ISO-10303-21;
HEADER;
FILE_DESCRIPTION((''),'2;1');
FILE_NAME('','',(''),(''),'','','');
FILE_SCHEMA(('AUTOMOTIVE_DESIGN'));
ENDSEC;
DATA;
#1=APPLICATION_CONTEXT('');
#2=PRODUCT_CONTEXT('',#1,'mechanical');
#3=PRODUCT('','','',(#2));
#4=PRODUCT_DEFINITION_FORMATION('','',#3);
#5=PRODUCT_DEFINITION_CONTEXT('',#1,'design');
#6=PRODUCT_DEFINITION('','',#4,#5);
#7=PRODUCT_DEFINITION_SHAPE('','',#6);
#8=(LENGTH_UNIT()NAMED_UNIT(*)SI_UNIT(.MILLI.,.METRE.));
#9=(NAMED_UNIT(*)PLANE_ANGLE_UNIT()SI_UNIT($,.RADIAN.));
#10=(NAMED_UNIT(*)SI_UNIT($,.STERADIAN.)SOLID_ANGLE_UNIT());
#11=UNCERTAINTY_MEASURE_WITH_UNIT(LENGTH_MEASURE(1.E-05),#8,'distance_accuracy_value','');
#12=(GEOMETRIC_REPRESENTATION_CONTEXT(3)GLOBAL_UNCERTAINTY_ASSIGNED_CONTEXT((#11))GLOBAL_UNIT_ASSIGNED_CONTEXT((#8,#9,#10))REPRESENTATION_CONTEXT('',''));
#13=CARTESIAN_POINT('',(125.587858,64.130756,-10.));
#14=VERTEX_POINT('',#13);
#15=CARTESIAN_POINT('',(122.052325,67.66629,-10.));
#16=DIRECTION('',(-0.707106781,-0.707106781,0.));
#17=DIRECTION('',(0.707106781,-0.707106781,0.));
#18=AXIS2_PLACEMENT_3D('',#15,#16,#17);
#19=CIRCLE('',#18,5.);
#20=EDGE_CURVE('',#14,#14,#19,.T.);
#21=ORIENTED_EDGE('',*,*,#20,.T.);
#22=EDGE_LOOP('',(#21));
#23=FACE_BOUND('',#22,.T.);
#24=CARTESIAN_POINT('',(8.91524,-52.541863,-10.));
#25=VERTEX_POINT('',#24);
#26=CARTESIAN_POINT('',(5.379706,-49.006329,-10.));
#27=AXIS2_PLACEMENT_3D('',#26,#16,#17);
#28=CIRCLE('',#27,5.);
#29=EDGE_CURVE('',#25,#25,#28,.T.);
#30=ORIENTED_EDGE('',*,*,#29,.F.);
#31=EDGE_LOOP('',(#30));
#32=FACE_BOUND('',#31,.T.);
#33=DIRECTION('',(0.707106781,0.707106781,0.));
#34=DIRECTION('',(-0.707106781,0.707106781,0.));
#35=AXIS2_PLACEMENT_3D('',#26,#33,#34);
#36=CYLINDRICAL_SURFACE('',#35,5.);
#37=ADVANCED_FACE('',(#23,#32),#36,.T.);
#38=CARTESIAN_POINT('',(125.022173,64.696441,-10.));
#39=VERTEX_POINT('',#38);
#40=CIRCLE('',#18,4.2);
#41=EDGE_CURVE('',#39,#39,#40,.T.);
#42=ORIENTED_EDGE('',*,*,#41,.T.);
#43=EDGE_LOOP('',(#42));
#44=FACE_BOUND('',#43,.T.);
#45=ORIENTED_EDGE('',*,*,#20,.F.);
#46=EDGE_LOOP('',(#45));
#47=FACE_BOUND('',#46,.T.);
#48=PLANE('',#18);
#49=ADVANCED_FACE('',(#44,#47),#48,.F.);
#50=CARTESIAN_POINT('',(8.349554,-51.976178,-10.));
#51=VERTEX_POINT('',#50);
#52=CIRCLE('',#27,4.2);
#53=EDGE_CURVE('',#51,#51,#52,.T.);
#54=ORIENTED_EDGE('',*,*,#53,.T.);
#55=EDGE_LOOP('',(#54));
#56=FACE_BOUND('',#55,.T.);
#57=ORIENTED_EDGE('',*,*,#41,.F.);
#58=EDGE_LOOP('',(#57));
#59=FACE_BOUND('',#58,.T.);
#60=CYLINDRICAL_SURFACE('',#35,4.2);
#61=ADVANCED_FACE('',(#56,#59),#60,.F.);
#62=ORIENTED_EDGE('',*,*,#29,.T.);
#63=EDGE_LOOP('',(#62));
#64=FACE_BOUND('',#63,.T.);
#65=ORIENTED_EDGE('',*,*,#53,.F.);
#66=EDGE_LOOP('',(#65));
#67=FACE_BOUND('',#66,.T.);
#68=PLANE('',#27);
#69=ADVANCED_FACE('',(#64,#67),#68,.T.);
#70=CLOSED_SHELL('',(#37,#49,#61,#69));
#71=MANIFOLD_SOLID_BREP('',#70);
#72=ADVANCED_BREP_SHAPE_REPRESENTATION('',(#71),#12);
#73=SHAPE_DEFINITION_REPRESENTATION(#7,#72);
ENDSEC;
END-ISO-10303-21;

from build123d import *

# Parameters (mm, degrees)
SKETCH2_R           = 5
SKETCH2_R_2         = 4.2
BOSS_EXTRUDE1_DEPTH = 165


with BuildPart() as part:
    # Sketch2 → Boss-Extrude1 (new body)
    with BuildSketch(Plane(origin=(94.859307055, 94.859307055, 0), x_dir=(0, 0, 1), z_dir=(-0.707106781186544, -0.7071067811865511, 0))):
        with Locations(Location((-10, -38.456734122, 0), (0, 0, 270))):
            Circle(SKETCH2_R)
        with Locations(Location((-10, -38.456734122, 0), (0, 0, 270))):
            Circle(SKETCH2_R_2, mode=Mode.SUBTRACT)
    extrude(amount=BOSS_EXTRUDE1_DEPTH)


solid = part.part
